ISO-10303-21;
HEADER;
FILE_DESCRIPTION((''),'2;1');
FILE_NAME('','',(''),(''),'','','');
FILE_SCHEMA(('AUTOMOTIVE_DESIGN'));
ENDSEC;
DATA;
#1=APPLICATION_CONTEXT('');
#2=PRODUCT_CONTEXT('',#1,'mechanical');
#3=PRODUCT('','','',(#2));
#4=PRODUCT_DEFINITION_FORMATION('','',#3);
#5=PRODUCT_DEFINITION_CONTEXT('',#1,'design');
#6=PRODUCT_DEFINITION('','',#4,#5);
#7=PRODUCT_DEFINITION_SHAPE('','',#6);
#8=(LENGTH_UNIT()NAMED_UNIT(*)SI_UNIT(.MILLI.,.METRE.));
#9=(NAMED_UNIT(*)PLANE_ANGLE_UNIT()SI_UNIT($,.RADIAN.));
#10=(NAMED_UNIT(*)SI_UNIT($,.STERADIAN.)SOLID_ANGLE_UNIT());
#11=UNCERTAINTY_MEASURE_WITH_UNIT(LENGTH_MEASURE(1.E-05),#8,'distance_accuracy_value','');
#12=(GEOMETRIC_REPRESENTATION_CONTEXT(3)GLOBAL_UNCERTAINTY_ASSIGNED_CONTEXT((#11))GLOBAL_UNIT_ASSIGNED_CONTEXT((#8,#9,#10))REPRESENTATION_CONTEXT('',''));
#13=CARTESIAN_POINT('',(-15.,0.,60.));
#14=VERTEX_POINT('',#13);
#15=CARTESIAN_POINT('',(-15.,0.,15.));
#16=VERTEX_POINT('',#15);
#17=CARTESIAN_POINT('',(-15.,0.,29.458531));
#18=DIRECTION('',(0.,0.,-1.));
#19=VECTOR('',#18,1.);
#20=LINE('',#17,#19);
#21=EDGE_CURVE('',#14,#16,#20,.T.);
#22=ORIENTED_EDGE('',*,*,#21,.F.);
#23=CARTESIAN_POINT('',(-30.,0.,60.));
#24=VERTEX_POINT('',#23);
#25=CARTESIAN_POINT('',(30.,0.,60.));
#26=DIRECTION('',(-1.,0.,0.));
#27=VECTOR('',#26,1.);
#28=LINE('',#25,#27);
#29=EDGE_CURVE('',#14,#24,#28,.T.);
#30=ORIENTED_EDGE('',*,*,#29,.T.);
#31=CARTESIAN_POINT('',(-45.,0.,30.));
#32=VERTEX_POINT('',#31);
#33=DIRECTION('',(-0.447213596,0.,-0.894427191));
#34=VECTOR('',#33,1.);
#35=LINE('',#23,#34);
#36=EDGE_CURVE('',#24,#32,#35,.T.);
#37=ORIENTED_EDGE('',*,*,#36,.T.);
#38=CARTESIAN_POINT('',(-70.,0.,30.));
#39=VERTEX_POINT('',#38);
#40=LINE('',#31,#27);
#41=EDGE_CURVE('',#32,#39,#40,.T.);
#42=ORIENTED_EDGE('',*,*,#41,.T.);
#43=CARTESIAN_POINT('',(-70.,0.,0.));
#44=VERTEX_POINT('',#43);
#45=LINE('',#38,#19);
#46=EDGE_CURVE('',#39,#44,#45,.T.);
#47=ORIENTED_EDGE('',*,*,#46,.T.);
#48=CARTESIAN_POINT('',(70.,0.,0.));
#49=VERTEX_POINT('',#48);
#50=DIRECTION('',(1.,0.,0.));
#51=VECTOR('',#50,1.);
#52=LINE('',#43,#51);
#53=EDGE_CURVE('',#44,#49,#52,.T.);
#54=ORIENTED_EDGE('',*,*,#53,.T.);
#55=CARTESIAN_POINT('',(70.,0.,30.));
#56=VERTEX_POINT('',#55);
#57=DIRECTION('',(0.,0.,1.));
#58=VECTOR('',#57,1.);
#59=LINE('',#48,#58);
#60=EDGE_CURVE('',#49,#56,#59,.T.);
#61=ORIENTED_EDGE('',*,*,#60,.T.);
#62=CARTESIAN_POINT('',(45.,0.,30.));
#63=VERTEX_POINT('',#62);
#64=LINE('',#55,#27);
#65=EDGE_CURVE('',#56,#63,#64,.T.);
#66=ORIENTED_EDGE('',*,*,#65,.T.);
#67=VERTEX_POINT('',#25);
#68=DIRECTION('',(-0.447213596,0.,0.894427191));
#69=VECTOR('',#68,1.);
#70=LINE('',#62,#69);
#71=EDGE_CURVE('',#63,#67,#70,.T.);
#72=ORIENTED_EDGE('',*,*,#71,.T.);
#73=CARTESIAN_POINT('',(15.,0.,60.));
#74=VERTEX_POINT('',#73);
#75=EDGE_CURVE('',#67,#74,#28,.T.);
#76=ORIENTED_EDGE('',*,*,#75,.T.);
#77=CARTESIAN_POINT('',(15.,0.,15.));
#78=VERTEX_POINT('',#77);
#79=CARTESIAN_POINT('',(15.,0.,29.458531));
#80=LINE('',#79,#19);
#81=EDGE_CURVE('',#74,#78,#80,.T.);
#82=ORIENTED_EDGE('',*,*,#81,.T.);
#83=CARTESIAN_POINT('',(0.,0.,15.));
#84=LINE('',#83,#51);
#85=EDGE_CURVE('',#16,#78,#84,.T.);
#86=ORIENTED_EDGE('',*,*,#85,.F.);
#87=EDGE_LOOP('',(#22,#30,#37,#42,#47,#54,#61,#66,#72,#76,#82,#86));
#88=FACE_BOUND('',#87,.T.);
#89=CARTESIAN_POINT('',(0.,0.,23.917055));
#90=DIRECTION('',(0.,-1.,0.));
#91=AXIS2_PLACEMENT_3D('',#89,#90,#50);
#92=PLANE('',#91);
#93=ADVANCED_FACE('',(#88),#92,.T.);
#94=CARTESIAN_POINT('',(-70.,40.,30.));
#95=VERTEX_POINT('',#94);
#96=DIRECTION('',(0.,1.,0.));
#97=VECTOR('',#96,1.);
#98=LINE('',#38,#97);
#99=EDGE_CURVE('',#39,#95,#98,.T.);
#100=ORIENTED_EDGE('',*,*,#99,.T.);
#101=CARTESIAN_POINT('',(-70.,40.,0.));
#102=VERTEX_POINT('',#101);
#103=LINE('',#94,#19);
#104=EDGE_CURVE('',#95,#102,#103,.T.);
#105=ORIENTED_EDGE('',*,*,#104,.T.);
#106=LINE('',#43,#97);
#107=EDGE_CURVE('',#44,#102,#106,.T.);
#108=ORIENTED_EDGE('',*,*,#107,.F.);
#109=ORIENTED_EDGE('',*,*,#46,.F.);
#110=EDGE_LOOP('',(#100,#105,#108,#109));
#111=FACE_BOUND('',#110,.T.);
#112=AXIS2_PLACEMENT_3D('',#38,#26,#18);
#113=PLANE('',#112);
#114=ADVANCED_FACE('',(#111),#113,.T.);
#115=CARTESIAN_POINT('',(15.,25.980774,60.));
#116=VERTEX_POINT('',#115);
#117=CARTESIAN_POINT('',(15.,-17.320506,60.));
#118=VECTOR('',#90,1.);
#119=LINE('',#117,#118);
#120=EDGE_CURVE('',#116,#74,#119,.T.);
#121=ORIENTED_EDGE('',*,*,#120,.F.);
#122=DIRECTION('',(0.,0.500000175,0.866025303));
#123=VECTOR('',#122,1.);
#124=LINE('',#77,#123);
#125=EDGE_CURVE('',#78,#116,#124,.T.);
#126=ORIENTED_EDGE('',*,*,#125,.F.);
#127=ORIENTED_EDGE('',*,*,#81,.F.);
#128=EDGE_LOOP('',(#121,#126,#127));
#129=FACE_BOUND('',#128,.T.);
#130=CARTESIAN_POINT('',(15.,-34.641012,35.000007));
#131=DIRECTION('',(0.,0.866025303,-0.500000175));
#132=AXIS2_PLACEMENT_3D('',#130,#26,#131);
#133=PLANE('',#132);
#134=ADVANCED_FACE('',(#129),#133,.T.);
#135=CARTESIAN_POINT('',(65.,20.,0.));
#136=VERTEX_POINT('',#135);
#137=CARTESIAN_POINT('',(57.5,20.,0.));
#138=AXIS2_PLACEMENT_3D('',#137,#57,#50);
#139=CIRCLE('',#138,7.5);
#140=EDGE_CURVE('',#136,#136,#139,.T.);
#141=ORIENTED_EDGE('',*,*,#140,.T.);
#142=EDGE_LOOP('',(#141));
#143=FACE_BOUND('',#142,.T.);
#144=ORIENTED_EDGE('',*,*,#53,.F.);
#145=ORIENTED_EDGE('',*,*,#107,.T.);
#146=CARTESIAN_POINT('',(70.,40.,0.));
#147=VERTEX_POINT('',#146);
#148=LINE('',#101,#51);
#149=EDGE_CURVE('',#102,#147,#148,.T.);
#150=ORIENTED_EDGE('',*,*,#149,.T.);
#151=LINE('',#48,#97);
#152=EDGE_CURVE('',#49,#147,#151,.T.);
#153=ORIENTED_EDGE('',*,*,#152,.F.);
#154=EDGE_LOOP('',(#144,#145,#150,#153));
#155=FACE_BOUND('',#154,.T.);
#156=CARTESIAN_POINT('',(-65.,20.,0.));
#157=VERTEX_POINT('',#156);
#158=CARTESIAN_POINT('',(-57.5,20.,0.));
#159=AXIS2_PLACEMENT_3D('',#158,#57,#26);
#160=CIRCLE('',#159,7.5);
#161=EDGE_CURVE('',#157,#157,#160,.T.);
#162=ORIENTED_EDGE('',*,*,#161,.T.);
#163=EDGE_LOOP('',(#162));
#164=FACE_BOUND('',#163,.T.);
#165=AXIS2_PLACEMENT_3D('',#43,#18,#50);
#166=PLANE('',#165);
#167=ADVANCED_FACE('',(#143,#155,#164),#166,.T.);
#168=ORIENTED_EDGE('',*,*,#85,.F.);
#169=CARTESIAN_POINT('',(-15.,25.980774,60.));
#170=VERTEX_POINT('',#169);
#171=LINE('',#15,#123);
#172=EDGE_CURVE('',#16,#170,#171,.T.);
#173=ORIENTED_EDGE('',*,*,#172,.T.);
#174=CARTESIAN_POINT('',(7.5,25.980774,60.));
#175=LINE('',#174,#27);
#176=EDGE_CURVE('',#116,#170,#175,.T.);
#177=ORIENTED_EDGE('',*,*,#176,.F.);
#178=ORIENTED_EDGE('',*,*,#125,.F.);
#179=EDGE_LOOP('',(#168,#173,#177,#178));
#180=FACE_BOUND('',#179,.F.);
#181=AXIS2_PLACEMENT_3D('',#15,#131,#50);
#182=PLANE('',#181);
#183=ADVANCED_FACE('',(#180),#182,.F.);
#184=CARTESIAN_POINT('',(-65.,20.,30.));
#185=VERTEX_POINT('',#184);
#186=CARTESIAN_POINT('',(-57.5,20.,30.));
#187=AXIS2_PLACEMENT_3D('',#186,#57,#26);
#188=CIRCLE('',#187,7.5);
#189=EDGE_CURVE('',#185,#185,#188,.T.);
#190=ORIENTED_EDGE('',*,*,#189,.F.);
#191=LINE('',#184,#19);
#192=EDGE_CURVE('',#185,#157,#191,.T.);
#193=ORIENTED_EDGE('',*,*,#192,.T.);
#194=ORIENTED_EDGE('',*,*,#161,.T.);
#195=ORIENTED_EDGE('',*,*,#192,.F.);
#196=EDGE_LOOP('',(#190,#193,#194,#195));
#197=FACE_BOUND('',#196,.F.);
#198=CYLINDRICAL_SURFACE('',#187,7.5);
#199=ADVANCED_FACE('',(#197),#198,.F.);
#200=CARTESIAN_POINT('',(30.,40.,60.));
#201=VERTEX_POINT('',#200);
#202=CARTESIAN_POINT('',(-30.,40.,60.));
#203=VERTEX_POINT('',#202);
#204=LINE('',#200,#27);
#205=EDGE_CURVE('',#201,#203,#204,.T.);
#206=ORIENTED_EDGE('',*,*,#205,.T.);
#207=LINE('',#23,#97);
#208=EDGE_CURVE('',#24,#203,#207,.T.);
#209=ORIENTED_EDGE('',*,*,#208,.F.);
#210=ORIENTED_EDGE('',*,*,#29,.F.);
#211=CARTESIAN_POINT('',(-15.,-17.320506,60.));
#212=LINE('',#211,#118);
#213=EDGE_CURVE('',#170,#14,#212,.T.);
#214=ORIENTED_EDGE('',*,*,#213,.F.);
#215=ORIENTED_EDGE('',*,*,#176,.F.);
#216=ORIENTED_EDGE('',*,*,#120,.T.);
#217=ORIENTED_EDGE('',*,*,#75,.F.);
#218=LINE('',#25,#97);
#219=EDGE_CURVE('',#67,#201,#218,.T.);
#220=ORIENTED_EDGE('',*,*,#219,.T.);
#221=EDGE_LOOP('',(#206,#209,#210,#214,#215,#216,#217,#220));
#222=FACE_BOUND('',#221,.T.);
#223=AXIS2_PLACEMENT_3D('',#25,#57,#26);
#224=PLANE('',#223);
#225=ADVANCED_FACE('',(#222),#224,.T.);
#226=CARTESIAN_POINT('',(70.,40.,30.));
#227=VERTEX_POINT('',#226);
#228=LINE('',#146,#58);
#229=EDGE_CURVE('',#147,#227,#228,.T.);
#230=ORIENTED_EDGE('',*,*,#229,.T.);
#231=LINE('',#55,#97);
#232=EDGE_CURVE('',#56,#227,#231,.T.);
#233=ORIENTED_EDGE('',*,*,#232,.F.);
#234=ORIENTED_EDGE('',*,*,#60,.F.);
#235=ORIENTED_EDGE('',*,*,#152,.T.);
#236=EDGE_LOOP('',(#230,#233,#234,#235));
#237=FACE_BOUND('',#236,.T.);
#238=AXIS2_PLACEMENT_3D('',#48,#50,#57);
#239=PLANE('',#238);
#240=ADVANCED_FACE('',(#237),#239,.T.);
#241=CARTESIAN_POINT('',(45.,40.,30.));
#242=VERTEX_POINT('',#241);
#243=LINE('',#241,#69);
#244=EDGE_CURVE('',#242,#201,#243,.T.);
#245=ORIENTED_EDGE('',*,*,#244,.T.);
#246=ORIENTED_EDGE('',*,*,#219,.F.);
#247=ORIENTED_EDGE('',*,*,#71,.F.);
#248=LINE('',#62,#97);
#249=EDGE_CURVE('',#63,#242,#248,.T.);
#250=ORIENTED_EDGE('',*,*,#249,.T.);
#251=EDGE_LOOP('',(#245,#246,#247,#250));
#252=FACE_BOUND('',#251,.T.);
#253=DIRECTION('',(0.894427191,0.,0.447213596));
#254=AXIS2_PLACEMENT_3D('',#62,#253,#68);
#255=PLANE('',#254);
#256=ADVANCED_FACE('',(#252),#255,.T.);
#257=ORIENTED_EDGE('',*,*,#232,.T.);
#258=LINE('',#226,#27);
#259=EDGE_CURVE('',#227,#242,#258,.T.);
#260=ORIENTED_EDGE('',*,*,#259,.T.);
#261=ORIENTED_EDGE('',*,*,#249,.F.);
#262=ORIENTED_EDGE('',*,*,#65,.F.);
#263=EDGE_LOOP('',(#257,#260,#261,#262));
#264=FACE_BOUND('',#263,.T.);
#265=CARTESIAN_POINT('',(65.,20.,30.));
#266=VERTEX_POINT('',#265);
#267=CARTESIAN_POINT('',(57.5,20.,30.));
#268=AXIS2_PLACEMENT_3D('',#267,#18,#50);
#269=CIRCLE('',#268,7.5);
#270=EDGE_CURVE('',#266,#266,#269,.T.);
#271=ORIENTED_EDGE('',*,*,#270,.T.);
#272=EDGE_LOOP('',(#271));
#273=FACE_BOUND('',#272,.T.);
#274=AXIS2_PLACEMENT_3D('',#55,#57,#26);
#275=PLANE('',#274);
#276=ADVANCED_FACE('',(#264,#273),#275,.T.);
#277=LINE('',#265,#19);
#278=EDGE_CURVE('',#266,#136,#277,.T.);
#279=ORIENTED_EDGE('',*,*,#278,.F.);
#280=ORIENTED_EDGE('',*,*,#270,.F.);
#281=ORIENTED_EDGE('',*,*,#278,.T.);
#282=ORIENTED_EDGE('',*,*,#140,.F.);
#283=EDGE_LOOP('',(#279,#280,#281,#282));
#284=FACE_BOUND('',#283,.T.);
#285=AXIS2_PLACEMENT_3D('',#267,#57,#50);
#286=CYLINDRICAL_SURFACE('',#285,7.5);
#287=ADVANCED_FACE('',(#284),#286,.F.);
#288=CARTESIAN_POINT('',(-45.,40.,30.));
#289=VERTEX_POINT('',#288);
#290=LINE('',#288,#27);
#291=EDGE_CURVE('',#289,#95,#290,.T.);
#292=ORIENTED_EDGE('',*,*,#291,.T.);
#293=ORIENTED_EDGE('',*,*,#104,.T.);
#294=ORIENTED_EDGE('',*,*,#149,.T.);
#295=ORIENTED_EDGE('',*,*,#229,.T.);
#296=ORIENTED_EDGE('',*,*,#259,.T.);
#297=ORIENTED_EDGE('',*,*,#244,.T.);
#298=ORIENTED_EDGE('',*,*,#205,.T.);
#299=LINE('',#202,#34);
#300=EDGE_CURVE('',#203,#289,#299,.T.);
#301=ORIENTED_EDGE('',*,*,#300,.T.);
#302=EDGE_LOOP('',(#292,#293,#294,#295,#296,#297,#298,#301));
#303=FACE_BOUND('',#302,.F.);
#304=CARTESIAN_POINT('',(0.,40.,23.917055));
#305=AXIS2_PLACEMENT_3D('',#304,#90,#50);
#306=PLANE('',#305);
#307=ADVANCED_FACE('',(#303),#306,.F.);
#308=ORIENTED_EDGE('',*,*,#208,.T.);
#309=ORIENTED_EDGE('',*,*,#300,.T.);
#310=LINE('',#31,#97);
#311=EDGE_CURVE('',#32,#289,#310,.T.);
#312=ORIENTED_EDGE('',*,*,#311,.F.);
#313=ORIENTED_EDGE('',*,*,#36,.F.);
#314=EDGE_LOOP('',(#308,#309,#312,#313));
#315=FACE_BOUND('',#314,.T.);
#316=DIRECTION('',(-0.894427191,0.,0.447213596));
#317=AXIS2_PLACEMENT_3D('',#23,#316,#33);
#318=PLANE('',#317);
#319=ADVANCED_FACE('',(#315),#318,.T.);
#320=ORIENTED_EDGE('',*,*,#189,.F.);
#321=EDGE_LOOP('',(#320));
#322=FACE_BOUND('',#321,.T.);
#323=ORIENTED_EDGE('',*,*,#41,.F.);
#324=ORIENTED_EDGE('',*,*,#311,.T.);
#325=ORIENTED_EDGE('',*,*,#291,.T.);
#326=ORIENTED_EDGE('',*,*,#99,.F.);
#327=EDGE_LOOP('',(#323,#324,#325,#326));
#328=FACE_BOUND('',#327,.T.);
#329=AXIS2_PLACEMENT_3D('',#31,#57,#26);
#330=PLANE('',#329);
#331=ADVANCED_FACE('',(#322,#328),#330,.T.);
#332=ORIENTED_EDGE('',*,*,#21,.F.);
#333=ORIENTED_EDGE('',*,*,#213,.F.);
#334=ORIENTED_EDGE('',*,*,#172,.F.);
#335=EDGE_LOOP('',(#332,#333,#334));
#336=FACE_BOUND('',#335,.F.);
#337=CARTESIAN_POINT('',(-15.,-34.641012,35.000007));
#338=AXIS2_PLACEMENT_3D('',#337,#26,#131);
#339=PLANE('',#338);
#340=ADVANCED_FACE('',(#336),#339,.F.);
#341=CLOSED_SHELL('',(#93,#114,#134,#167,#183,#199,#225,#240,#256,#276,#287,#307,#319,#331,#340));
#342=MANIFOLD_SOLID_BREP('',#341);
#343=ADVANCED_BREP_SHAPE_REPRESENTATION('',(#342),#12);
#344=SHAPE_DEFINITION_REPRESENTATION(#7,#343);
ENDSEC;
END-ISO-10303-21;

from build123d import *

# Parameters (mm, degrees)
SKETCH002_W  = 30
SKETCH002_H  = 40
PAD001_DEPTH = 85
PAD_DEPTH    = 40
SKETCH001_R  = 7.5
POCKET_DEPTH = 344.961315


with BuildPart() as pad001:
    # Sketch002 → Pad001 (new body)
    with BuildSketch(Plane(origin=(0, 0, 15), x_dir=(1, 0, 0), z_dir=(0, 0.5, 0.866025))):
        with Locations((0, -20)):
            Rectangle(SKETCH002_W, SKETCH002_H)
    extrude(amount=PAD001_DEPTH)


with BuildPart() as cut:
    # Sketch → Pad (new body)
    with BuildSketch(Plane.XZ):
        Polygon((-70, 0), (70, 0), (70, 30), (45, 30), (30, 60), (-30, 60), (-45, 30), (-70, 30), align=None)
    extrude(amount=-PAD_DEPTH)

    # Sketch001 → Pocket (cut, through all)
    with BuildSketch(Plane(origin=(0, 0, 30), x_dir=(-1, 0, 0), z_dir=(0, 0, 1))):
        with Locations((57.5, -20)):
            Circle(SKETCH001_R)
    pocket = extrude(amount=-POCKET_DEPTH, mode=Mode.SUBTRACT)

    # Mirrored: Pocket across Sketch001 V_Axis
    add(pocket.mirror(Plane(origin=(0, 0, 30), x_dir=(0, 0, 1), z_dir=(-1, 0, 0))), mode=Mode.SUBTRACT)

    # Cut: cut Pad001
    add(pad001.part, mode=Mode.SUBTRACT)


solid = cut.part
